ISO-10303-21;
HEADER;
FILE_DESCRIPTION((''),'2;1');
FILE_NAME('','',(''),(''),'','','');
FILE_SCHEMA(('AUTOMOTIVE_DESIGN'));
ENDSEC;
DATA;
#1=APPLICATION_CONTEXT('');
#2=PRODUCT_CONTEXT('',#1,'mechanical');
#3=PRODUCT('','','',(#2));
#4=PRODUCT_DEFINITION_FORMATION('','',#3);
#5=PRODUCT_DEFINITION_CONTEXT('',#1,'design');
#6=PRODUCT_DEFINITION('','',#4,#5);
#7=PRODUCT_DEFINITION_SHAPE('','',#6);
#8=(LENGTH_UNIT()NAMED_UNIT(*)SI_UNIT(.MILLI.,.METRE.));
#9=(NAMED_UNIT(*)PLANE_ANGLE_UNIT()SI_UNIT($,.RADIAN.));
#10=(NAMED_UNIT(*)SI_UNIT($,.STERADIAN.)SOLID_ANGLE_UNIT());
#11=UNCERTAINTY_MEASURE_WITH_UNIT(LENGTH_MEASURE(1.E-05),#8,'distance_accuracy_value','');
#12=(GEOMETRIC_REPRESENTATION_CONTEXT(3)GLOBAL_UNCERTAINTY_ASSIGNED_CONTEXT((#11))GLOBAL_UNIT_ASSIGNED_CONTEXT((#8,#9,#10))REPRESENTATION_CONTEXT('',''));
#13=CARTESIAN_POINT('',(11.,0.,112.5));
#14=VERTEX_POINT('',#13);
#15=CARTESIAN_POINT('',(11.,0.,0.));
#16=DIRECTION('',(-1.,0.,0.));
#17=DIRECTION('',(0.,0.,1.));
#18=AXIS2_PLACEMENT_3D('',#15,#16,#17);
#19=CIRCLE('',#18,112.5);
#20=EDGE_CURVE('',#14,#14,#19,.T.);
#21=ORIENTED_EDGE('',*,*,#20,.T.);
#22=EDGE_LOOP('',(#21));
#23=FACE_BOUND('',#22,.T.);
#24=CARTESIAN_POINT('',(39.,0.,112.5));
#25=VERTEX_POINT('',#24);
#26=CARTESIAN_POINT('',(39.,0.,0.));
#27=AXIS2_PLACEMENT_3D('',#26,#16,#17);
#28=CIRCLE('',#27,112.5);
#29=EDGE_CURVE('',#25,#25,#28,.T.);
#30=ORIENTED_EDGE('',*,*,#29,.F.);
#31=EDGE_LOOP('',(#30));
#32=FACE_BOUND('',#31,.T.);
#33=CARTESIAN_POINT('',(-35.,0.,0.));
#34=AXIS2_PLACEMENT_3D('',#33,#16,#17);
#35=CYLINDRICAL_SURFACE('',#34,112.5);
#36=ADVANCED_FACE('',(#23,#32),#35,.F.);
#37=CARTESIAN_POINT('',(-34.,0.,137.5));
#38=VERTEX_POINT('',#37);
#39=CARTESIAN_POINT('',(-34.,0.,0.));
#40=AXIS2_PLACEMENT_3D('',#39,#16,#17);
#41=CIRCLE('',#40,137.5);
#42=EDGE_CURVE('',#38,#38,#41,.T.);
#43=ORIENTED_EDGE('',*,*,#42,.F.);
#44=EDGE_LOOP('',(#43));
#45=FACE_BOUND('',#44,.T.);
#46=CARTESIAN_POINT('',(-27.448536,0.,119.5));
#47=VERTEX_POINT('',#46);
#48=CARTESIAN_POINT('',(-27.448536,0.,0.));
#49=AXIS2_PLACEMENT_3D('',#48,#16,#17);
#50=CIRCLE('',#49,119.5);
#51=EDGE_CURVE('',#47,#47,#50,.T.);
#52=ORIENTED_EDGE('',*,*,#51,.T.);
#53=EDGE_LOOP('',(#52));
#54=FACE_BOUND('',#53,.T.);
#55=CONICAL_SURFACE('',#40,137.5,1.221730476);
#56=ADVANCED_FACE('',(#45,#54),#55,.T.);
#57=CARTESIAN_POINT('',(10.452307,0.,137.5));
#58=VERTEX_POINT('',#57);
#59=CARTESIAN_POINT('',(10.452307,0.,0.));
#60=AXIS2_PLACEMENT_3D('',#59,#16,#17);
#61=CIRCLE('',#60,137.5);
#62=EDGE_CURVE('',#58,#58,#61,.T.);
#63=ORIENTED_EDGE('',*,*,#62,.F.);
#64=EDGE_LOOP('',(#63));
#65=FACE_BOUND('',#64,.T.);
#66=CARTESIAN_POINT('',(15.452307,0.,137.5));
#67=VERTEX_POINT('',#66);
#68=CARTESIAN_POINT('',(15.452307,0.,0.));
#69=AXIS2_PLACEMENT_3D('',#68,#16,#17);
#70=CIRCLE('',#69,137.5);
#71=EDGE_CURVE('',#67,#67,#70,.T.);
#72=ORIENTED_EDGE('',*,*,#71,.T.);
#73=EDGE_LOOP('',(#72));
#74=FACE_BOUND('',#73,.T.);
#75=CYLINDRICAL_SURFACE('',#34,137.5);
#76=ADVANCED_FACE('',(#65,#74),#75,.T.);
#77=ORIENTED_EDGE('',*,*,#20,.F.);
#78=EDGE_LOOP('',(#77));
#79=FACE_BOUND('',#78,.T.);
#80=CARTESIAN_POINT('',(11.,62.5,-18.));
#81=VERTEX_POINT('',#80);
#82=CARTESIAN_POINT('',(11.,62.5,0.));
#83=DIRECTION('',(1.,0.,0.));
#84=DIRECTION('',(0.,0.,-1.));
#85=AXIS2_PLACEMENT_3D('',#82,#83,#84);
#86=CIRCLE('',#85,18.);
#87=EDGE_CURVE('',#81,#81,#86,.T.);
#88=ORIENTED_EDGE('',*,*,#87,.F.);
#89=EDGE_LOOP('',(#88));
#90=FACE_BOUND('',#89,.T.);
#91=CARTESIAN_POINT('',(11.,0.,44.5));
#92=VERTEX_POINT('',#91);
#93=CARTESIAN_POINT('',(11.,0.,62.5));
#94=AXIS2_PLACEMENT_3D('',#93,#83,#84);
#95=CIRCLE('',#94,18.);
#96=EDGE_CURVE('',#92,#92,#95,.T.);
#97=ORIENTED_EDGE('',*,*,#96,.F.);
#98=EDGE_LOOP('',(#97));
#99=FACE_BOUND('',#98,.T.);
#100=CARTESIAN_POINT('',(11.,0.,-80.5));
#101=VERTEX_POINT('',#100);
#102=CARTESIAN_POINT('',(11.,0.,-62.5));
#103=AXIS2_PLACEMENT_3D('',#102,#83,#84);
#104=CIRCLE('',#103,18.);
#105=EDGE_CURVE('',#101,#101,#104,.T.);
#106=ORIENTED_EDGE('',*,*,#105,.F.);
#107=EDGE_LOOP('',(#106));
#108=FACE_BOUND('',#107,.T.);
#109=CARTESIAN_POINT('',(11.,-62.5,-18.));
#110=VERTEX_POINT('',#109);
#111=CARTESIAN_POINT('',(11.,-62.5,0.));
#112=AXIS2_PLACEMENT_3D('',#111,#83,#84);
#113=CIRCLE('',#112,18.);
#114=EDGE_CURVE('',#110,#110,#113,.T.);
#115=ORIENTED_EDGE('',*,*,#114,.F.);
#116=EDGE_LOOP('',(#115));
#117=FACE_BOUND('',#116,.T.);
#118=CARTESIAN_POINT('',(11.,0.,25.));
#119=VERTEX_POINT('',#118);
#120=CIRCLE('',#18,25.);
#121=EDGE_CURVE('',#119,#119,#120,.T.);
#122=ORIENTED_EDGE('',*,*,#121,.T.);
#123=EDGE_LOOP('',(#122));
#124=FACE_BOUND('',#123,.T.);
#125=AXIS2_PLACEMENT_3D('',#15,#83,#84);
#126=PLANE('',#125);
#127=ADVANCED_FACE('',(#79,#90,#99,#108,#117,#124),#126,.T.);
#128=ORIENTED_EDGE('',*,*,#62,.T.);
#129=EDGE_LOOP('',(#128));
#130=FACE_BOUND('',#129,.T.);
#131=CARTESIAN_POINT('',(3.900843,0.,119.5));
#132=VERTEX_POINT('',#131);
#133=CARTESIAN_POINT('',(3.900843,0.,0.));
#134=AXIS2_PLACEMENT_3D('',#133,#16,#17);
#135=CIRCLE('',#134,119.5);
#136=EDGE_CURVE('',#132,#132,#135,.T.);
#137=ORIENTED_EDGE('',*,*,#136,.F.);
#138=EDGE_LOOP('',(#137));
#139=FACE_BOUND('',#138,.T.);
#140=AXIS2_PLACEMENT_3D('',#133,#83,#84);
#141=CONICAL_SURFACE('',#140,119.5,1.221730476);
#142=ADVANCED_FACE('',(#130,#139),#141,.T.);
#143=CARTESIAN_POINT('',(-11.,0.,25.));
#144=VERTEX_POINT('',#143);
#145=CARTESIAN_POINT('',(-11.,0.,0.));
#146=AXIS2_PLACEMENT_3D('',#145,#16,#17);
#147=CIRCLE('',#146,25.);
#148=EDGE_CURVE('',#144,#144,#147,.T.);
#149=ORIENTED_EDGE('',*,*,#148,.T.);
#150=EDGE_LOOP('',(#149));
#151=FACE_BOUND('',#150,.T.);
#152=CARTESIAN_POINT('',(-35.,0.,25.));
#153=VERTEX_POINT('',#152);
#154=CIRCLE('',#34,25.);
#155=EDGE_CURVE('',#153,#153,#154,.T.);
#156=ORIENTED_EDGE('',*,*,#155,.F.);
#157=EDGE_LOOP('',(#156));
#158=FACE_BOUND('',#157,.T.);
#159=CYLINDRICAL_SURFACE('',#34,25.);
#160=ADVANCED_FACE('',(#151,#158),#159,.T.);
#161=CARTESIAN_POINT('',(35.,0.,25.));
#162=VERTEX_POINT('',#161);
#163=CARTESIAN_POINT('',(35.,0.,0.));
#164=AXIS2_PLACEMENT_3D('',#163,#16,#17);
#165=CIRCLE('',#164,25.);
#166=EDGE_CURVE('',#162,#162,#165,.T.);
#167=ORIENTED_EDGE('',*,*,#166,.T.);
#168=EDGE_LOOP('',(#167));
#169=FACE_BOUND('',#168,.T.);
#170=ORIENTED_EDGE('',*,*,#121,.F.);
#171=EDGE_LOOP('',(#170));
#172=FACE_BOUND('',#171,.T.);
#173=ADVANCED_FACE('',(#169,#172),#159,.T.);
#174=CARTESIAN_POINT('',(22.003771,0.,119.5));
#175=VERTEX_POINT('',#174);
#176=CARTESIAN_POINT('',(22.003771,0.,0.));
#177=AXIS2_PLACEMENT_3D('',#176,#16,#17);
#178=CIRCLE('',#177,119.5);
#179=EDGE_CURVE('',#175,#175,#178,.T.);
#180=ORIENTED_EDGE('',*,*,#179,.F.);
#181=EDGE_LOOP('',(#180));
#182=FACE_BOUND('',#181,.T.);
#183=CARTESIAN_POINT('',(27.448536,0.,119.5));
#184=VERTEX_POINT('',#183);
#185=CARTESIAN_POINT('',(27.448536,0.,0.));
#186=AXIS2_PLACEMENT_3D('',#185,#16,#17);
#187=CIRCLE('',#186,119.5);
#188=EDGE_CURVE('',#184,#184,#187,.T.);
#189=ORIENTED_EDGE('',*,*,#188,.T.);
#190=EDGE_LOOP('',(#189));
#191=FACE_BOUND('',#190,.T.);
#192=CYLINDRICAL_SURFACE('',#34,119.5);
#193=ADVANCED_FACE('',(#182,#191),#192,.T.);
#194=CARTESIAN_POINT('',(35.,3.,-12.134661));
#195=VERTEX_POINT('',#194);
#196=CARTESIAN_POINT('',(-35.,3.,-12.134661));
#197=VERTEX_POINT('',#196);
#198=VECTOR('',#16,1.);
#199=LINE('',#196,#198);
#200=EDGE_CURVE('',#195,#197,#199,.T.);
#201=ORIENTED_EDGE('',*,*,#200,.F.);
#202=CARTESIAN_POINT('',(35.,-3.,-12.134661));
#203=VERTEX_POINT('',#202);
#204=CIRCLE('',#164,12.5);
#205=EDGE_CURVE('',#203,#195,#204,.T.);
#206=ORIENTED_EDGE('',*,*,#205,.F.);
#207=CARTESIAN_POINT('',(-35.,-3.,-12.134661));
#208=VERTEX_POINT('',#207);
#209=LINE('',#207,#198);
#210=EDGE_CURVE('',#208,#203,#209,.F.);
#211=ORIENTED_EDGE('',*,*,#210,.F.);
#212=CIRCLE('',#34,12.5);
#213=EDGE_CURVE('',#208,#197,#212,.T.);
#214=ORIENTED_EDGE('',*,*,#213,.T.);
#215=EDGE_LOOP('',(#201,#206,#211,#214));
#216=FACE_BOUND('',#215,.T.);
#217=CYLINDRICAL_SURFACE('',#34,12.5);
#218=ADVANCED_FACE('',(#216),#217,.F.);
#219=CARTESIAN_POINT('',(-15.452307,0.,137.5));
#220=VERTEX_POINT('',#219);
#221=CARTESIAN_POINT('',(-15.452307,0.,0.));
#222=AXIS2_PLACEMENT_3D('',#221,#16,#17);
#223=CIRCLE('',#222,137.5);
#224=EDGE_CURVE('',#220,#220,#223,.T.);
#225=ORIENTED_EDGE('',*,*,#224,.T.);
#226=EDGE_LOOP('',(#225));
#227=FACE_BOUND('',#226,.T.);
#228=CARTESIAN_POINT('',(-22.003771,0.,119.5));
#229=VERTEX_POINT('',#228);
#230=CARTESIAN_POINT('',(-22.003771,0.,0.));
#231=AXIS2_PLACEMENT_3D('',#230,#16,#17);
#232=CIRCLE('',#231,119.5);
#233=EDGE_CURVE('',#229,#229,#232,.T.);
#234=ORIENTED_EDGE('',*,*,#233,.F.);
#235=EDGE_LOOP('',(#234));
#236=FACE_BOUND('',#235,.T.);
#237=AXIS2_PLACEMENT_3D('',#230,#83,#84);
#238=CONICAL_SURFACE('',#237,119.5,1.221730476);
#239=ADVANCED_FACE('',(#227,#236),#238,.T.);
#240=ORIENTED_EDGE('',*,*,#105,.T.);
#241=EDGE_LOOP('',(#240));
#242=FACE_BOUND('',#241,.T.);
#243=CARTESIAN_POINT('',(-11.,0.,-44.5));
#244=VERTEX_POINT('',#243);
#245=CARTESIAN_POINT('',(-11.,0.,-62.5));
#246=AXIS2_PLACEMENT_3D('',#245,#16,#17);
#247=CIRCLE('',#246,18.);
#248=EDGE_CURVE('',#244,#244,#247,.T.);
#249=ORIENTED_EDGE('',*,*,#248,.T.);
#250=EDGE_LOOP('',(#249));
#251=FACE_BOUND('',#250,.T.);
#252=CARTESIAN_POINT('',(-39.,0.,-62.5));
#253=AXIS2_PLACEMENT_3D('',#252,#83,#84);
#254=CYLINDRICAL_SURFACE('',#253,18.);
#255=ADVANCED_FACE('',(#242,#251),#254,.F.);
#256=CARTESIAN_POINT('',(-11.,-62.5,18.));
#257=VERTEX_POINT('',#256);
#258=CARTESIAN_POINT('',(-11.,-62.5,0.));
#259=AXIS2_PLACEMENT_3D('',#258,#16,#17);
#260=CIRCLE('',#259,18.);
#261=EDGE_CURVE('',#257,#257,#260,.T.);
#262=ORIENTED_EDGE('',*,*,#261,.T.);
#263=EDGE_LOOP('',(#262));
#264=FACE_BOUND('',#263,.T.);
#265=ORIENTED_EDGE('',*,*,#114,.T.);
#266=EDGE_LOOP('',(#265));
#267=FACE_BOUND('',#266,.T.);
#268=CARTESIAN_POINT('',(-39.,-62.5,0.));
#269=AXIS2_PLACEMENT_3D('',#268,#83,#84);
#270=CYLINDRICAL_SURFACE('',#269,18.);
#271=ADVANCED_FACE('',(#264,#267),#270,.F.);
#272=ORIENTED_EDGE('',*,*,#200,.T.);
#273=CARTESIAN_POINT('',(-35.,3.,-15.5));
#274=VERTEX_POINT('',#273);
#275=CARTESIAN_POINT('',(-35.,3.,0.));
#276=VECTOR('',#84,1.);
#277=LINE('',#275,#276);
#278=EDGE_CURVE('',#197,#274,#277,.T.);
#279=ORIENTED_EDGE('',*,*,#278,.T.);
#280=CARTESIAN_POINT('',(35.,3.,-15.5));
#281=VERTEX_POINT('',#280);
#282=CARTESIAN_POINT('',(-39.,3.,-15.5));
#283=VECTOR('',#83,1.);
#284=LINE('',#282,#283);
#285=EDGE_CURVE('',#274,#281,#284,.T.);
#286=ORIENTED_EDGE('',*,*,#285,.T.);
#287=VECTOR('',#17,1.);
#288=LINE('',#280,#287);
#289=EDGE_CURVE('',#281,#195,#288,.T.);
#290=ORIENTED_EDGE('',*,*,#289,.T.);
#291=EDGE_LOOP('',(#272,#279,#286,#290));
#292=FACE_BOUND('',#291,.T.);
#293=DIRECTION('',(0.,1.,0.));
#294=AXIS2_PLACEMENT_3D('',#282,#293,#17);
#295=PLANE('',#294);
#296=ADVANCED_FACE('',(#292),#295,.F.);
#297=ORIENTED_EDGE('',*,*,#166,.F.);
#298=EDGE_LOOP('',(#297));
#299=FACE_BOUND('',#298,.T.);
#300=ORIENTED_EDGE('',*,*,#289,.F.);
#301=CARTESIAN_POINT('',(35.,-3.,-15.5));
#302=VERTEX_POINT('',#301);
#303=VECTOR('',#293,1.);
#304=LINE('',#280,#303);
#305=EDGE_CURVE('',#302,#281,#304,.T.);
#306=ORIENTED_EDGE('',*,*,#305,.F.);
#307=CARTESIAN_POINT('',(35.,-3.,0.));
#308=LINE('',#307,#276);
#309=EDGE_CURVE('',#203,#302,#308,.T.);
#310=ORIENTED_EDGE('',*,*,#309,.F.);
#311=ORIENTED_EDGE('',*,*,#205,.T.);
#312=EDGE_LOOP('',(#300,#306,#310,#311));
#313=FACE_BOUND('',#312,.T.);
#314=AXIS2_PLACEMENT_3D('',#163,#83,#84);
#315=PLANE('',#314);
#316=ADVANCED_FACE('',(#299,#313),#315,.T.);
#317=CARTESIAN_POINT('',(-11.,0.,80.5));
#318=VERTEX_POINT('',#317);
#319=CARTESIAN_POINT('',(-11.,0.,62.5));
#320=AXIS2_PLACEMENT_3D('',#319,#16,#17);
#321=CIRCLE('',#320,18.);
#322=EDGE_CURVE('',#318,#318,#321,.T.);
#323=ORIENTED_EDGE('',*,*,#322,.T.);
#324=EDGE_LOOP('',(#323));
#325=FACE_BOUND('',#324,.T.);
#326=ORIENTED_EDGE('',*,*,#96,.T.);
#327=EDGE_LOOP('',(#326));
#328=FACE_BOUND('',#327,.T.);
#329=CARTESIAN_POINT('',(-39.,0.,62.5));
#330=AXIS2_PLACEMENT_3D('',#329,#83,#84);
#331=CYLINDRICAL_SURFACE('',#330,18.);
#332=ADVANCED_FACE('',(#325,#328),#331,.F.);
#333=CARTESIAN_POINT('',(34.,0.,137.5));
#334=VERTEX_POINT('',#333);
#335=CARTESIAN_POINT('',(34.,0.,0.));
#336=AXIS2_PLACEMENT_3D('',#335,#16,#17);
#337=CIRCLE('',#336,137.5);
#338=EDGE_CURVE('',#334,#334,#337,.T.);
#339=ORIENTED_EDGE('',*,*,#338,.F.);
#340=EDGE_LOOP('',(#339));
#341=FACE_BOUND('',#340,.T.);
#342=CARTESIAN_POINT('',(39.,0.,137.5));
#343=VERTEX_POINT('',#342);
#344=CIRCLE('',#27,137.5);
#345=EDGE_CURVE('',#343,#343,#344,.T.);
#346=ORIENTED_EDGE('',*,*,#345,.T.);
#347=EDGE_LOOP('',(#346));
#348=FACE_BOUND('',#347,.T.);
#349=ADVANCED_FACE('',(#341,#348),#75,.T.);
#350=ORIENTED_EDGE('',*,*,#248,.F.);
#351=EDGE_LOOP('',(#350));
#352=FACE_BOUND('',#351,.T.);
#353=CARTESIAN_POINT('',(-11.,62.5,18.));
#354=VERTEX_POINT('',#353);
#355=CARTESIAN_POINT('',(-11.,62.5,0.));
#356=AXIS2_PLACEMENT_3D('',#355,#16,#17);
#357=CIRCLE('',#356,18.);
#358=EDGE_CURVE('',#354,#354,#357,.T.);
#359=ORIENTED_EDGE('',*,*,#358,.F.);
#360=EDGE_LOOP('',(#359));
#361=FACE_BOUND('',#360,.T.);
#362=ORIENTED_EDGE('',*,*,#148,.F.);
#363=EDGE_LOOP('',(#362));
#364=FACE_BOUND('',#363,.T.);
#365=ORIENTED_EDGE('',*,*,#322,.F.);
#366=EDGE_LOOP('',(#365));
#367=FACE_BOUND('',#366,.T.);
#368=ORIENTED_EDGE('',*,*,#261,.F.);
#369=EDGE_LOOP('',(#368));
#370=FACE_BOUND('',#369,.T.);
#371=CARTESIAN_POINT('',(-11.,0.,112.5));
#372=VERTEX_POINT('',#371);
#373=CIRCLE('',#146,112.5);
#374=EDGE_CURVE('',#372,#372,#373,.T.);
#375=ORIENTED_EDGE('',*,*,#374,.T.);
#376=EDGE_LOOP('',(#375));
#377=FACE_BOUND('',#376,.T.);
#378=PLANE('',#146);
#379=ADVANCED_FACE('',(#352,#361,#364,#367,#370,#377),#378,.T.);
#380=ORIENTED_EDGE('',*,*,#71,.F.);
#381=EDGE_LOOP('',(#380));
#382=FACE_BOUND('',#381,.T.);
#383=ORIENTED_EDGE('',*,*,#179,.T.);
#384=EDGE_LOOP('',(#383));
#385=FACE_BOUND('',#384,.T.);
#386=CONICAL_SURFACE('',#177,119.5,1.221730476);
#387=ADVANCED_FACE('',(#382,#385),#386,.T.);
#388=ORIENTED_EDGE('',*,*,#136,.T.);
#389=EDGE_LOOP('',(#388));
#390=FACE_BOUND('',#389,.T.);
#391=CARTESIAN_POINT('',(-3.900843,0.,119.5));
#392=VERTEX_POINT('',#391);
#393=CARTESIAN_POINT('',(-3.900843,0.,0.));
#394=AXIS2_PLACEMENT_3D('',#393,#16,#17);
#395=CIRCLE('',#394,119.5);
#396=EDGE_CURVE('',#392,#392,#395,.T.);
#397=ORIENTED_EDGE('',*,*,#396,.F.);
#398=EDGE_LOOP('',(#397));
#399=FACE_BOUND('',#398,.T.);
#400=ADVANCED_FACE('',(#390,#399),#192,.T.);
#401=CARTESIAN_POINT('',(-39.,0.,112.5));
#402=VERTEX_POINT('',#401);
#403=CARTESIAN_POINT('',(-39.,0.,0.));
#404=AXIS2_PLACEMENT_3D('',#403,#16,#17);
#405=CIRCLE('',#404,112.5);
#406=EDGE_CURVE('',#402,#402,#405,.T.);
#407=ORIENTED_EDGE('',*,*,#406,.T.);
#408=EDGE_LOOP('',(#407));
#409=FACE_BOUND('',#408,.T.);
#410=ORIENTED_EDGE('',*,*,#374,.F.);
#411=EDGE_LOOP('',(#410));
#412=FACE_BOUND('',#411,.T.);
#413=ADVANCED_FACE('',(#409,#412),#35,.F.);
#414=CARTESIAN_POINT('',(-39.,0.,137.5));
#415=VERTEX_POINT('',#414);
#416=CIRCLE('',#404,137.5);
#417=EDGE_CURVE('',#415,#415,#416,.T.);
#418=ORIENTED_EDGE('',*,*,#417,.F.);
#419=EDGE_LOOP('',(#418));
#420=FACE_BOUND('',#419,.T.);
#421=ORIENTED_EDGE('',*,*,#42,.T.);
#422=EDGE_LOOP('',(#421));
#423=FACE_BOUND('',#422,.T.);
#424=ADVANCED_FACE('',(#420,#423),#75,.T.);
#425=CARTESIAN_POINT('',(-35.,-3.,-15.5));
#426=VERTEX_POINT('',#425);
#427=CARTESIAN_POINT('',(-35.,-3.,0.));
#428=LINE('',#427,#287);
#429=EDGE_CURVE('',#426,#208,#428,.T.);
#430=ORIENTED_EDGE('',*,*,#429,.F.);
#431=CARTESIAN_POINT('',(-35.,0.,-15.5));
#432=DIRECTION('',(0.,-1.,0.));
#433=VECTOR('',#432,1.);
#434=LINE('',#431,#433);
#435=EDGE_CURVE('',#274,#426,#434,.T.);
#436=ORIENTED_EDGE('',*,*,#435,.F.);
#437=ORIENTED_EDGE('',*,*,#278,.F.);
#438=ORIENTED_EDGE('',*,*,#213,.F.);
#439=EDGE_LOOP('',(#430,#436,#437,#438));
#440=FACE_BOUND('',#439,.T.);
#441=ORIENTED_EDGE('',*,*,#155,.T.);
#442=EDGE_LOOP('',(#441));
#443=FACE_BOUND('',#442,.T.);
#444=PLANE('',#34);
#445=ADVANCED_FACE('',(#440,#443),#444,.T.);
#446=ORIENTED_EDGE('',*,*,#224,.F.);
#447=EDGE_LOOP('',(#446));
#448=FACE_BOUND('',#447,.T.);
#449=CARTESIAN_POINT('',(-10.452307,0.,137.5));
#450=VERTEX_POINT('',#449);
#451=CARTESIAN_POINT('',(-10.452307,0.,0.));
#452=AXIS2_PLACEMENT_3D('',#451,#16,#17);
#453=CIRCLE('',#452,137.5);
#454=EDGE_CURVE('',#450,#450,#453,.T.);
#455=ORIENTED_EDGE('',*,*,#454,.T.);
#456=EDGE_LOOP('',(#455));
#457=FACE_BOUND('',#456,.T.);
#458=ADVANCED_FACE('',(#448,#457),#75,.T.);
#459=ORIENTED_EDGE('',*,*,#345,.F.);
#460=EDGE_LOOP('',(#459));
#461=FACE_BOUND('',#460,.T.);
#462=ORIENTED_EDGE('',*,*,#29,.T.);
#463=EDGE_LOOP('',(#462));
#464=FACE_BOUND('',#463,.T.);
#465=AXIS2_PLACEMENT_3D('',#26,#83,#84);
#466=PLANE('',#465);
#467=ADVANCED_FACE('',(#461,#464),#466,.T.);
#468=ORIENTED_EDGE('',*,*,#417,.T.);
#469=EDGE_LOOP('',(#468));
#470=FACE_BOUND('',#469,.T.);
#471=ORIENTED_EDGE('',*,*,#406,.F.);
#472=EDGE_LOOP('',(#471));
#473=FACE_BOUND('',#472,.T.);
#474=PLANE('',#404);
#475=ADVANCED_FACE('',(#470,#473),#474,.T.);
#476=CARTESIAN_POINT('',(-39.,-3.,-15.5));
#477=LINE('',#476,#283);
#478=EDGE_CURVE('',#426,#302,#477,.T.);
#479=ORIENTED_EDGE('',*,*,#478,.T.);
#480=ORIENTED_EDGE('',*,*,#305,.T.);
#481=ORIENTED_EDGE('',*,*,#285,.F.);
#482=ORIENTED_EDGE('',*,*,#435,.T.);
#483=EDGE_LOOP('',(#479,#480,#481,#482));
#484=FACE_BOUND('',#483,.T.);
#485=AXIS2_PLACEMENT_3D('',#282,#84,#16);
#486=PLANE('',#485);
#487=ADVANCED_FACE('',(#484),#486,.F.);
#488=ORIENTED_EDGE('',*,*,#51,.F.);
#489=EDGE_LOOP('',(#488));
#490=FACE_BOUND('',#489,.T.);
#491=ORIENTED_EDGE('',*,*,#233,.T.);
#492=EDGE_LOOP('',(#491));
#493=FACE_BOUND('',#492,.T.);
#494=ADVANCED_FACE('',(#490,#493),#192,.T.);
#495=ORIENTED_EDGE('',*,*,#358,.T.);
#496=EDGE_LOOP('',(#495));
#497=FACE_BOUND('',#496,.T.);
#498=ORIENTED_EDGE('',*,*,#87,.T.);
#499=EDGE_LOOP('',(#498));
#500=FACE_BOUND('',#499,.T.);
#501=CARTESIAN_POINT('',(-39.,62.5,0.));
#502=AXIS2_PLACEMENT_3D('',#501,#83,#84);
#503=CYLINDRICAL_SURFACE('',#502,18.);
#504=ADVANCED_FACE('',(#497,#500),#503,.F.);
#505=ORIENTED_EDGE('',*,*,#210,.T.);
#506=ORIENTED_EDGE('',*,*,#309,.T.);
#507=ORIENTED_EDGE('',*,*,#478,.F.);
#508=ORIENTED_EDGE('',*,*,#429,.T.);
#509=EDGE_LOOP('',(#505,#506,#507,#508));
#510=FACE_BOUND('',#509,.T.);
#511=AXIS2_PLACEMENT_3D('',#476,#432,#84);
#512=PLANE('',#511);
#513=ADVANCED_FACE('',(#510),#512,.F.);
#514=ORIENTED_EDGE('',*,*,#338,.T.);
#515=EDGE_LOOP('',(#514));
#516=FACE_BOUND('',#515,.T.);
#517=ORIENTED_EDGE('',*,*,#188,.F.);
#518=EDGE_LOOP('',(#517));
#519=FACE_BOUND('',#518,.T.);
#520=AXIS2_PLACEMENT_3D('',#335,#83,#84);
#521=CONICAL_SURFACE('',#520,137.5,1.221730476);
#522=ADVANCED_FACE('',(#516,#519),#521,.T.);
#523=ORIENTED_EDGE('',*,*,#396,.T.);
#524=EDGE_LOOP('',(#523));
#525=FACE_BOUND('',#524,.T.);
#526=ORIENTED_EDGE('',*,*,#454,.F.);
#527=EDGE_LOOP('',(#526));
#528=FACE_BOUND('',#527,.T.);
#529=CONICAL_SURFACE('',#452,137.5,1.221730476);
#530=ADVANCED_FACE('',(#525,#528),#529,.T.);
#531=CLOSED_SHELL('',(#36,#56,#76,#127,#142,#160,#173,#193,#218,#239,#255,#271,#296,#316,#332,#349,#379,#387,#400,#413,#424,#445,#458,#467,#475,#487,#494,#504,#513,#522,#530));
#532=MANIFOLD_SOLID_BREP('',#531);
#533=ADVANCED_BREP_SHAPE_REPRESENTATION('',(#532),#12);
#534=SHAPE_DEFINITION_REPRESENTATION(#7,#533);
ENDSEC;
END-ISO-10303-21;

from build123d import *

# Parameters (mm, degrees)
SKETCH3_W           = 3.5
SKETCH3_H           = 6
CUT_EXTRUDE9_DEPTH  = 209.058885895
SKETCH7_R           = 18
CUT_EXTRUDE10_DEPTH = 201.779730053


with BuildPart() as part:
    # Sketch1 → Revolve5 (revolve)
    with BuildSketch(Plane.XY, mode=Mode.PRIVATE) as revolve5_sk:
        Polygon((10.452306897, 137.5), (15.452306897, 137.5), (22.003771114, 119.5), (27.448535783, 119.5), (34, 137.5), (39, 137.5), (39, 112.5), (11, 112.5), (11, 25), (35, 25), (35, 12.5), (-35, 12.5), (-35, 25), (-11, 25), (-11, 112.5), (-39, 112.5), (-39, 137.5), (-34, 137.5), (-27.448535783, 119.5), (-22.003771114, 119.5), (-15.452306897, 137.5), (-10.452306897, 137.5), (-3.900842681, 119.5), (3.900842681, 119.5), align=None)
    revolve(revolve5_sk.sketch.rotate(Axis((-35, 0, 0), (1, 0, 0)), 90), axis=Axis((-35, 0, 0), (1, 0, 0)))

    # Sketch3 → Cut-Extrude9 (cut, through all)
    with BuildSketch(Plane(origin=(35, 0, 0), x_dir=(0, 0, -1), z_dir=(1, 0, 0))):
        with Locations((13.75, 0)):
            Rectangle(SKETCH3_W, SKETCH3_H)
    extrude(amount=-CUT_EXTRUDE9_DEPTH, mode=Mode.SUBTRACT)

    # Sketch7 → Cut-Extrude10 (cut, through all)
    with BuildSketch(Plane(origin=(11, 0, 0), x_dir=(0, 0, -1), z_dir=(1, 0, 0))):
        with Locations((0, 62.5)):
            Circle(SKETCH7_R)
        with Locations((62.5, 0)):
            Circle(SKETCH7_R)
        with Locations((0, -62.5)):
            Circle(SKETCH7_R)
        with Locations((-62.5, 0)):
            Circle(SKETCH7_R)
    extrude(amount=-CUT_EXTRUDE10_DEPTH, mode=Mode.SUBTRACT)


solid = part.part
